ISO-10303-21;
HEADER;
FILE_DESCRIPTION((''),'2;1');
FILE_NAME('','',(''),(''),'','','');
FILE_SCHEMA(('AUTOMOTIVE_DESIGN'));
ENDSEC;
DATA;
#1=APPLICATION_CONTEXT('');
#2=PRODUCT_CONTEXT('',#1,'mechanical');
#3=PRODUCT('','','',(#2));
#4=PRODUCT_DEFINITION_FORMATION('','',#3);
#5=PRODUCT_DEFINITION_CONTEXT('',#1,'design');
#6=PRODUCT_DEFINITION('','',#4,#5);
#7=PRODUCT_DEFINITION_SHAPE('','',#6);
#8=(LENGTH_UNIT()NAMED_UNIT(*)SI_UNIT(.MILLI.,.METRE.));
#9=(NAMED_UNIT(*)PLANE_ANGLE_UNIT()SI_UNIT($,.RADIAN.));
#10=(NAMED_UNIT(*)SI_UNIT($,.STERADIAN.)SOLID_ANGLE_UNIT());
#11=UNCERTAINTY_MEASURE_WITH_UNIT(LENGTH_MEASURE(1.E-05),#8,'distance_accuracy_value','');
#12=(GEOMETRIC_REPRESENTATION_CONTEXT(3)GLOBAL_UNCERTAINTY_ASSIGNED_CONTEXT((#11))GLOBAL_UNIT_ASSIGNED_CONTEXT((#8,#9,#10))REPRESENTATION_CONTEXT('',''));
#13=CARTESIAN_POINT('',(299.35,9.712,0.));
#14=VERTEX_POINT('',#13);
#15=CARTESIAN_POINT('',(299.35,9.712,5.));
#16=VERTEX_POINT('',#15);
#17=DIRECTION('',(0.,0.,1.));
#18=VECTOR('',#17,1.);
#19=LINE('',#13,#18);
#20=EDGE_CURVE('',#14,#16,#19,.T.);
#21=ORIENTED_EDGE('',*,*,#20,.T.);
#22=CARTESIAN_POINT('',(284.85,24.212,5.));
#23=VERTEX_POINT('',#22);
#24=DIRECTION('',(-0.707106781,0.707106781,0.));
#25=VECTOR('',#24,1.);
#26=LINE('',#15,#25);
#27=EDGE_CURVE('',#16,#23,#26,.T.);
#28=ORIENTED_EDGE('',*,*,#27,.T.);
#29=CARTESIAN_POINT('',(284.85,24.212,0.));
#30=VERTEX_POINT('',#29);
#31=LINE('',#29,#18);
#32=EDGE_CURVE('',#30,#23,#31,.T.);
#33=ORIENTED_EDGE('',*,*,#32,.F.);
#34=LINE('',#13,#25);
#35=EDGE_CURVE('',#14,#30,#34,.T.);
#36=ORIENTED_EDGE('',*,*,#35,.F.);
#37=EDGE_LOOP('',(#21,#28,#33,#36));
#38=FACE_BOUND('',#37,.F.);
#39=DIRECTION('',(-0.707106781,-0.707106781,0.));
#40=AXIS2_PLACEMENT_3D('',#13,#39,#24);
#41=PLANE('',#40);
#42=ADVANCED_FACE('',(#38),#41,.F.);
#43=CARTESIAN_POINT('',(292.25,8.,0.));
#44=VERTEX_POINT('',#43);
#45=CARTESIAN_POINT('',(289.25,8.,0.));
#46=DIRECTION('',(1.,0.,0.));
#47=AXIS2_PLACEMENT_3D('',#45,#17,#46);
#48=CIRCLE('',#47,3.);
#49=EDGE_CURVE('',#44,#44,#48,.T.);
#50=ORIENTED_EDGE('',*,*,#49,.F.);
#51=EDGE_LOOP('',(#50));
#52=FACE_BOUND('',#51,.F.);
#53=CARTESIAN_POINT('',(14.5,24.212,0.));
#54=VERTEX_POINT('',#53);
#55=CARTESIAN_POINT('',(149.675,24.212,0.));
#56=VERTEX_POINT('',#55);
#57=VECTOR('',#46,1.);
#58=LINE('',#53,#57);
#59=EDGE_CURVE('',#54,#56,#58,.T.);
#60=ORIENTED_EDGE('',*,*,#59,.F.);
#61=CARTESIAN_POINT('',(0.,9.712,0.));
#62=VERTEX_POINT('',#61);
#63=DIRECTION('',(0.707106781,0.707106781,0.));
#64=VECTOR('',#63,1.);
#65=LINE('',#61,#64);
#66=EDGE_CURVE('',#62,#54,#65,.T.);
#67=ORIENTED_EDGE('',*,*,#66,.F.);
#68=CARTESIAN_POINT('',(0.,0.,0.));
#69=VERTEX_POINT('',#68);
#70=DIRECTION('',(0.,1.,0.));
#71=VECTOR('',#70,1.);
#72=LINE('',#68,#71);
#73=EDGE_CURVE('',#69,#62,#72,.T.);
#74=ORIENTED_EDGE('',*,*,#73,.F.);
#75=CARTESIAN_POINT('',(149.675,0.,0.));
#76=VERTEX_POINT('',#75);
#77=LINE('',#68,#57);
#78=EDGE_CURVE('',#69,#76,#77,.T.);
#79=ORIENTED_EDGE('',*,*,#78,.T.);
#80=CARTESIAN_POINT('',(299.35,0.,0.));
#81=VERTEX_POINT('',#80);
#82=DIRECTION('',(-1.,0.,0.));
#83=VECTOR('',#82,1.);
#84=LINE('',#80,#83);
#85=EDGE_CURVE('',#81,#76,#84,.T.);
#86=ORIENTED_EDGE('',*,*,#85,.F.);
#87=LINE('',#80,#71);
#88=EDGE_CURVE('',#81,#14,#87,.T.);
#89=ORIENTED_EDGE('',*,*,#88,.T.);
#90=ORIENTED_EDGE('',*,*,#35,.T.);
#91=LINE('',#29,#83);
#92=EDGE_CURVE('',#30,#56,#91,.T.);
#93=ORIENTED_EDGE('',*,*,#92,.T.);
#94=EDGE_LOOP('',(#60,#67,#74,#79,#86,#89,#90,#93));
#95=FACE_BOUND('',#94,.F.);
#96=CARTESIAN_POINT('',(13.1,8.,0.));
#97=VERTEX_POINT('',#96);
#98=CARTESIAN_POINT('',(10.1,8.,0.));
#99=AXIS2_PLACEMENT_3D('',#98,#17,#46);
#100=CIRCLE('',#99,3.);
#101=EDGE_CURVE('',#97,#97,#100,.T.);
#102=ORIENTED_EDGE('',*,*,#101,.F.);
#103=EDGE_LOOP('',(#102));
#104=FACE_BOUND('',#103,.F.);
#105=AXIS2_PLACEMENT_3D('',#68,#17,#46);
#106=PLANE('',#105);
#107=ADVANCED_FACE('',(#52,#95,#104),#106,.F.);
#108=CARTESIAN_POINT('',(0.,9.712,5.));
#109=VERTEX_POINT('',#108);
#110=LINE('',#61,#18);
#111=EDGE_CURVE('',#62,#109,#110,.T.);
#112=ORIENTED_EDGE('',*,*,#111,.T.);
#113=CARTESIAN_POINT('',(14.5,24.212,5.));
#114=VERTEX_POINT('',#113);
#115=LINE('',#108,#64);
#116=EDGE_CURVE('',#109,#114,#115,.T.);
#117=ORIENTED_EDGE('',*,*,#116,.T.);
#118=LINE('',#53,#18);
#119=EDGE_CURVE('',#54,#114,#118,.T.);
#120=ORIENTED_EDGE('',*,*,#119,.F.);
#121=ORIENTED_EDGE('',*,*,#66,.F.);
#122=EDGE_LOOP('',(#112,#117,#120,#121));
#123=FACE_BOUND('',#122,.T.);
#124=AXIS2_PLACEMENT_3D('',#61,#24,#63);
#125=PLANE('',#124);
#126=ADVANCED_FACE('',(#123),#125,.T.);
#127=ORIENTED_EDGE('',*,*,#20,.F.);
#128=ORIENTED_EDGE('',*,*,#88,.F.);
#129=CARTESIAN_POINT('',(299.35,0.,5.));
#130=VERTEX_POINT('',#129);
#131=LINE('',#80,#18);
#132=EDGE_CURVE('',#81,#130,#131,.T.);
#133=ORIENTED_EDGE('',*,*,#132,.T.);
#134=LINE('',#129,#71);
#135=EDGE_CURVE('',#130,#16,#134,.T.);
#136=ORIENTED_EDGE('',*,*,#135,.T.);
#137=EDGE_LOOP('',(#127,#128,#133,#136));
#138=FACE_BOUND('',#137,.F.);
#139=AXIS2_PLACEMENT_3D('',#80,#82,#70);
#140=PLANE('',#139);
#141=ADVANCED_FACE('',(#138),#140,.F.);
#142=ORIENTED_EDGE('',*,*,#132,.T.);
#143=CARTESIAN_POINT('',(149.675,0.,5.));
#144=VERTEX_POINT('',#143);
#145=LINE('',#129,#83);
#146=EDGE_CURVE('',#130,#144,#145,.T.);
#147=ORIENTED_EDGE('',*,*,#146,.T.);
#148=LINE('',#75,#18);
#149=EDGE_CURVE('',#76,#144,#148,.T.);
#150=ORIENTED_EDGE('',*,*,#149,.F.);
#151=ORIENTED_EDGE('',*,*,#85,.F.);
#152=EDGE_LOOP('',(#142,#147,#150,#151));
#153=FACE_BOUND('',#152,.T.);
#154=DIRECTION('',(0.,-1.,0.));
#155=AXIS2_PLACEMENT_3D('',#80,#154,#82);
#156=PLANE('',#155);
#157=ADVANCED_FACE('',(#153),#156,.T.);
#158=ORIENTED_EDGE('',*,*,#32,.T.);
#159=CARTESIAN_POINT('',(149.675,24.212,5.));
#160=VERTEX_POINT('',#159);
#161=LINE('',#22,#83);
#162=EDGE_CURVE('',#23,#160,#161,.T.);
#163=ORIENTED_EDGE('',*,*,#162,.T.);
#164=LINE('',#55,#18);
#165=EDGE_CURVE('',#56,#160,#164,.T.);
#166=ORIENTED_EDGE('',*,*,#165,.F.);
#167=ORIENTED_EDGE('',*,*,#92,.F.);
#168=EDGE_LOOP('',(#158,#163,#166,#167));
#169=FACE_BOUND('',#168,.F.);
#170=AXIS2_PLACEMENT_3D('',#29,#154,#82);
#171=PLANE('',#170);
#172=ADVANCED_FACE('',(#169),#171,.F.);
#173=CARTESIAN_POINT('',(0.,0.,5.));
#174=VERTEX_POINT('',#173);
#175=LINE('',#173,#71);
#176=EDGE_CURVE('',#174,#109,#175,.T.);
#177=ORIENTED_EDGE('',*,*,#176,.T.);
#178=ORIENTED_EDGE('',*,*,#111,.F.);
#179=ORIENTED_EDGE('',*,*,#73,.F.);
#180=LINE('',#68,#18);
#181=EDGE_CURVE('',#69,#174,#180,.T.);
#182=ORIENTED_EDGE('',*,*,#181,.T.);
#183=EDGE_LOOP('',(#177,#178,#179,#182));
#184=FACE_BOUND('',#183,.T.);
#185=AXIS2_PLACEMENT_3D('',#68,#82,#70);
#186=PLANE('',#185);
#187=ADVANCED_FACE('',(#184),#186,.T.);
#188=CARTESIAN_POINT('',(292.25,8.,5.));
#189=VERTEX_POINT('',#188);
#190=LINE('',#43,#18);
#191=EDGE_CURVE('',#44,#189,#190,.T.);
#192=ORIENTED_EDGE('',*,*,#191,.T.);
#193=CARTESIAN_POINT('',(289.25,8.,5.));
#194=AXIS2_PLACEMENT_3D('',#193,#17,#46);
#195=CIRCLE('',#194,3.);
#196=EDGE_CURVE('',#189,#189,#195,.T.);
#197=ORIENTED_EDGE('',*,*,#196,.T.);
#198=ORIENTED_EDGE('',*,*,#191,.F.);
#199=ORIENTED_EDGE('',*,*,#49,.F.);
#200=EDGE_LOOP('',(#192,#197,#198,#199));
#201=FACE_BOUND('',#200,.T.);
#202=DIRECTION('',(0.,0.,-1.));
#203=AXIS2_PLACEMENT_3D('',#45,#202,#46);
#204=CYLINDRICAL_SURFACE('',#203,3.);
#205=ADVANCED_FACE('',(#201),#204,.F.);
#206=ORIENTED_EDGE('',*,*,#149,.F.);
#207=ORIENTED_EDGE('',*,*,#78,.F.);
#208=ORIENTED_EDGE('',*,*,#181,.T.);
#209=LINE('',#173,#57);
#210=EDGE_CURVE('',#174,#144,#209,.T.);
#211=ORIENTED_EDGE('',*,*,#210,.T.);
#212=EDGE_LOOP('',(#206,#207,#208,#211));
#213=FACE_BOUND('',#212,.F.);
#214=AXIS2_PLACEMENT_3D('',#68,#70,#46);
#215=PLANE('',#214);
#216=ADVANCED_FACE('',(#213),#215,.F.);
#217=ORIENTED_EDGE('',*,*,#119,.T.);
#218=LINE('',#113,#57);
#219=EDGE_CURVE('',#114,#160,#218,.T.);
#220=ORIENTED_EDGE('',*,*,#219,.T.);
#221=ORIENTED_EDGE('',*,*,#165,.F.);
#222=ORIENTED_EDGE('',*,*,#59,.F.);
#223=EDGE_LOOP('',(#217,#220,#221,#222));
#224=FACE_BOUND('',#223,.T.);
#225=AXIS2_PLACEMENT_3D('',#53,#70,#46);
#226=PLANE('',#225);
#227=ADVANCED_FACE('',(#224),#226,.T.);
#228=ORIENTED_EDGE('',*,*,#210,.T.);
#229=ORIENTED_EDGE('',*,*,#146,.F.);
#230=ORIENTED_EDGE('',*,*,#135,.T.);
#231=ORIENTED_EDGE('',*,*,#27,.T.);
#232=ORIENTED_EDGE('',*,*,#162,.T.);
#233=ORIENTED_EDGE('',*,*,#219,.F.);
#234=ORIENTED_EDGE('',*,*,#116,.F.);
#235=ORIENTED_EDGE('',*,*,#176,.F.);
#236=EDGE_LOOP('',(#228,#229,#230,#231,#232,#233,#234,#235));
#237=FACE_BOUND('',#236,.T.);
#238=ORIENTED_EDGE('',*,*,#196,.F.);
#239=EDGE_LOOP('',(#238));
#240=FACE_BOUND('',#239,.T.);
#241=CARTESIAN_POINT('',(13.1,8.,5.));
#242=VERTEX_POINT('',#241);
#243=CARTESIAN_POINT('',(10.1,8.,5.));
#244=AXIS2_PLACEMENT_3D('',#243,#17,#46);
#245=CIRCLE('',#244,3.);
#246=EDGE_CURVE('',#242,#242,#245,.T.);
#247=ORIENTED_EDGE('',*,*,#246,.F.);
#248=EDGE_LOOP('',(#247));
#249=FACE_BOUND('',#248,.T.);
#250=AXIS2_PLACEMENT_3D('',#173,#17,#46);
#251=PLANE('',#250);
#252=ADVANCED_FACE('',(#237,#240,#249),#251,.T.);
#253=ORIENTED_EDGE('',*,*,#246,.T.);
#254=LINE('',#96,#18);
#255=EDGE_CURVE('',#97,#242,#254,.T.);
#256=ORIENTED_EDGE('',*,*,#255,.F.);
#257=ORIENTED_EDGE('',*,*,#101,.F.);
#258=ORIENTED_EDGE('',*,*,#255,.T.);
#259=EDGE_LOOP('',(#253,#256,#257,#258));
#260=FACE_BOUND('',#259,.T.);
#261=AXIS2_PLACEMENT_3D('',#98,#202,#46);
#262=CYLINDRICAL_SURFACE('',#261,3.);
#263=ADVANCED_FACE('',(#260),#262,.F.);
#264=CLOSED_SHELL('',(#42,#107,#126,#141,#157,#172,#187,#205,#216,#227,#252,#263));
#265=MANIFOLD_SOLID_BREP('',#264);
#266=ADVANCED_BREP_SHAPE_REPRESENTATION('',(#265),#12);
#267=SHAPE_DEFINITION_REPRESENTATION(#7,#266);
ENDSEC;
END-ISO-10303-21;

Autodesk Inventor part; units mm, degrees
ref_plane "YZ Plane" through (0, 0, 0) normal (1, 0, 0) x (0, 1, 0)
ref_plane "XZ Plane" through (0, 0, 0) normal (0, 1, 0) x (-1, 0, 0)
ref_plane "XY Plane" through (0, 0, 0) normal (0, 0, 1) x (1, 0, 0)
sketch "Sketch1" plane through (0, 0, 0) normal (0, 0, 1) x (1, 0, 0)
  line L0 (0, 0) -> (0, 9.712)
  line L1 (0, 9.712) -> (14.5, 24.212)
  line L2 (14.5, 24.212) -> (149.675, 24.212)
  line L3 (0, 0) -> (149.675, 0)
  circle A0 centre (10.1, 8) radius 3
  line L4 (149.675, 42.0637) -> (149.675, 59.6175)
  line L5 (299.35, 0) -> (299.35, 9.712)
  line L6 (299.35, 9.712) -> (284.85, 24.212)
  line L7 (284.85, 24.212) -> (149.675, 24.212)
  line L8 (299.35, 0) -> (149.675, 0)
  circle A1 centre (289.25, 8) radius 3
  dimension "d0" = 135
  dimension "d1" = 149.675
  dimension "d2" = 9.712
  dimension "d3" = 24.212
  dimension "d4" = 6
  dimension "d5" = 8
  dimension "d6" = 10.1
extrude "Extrusion1" add sketch "Sketch1" along normal blind 5
properties part number "road"
